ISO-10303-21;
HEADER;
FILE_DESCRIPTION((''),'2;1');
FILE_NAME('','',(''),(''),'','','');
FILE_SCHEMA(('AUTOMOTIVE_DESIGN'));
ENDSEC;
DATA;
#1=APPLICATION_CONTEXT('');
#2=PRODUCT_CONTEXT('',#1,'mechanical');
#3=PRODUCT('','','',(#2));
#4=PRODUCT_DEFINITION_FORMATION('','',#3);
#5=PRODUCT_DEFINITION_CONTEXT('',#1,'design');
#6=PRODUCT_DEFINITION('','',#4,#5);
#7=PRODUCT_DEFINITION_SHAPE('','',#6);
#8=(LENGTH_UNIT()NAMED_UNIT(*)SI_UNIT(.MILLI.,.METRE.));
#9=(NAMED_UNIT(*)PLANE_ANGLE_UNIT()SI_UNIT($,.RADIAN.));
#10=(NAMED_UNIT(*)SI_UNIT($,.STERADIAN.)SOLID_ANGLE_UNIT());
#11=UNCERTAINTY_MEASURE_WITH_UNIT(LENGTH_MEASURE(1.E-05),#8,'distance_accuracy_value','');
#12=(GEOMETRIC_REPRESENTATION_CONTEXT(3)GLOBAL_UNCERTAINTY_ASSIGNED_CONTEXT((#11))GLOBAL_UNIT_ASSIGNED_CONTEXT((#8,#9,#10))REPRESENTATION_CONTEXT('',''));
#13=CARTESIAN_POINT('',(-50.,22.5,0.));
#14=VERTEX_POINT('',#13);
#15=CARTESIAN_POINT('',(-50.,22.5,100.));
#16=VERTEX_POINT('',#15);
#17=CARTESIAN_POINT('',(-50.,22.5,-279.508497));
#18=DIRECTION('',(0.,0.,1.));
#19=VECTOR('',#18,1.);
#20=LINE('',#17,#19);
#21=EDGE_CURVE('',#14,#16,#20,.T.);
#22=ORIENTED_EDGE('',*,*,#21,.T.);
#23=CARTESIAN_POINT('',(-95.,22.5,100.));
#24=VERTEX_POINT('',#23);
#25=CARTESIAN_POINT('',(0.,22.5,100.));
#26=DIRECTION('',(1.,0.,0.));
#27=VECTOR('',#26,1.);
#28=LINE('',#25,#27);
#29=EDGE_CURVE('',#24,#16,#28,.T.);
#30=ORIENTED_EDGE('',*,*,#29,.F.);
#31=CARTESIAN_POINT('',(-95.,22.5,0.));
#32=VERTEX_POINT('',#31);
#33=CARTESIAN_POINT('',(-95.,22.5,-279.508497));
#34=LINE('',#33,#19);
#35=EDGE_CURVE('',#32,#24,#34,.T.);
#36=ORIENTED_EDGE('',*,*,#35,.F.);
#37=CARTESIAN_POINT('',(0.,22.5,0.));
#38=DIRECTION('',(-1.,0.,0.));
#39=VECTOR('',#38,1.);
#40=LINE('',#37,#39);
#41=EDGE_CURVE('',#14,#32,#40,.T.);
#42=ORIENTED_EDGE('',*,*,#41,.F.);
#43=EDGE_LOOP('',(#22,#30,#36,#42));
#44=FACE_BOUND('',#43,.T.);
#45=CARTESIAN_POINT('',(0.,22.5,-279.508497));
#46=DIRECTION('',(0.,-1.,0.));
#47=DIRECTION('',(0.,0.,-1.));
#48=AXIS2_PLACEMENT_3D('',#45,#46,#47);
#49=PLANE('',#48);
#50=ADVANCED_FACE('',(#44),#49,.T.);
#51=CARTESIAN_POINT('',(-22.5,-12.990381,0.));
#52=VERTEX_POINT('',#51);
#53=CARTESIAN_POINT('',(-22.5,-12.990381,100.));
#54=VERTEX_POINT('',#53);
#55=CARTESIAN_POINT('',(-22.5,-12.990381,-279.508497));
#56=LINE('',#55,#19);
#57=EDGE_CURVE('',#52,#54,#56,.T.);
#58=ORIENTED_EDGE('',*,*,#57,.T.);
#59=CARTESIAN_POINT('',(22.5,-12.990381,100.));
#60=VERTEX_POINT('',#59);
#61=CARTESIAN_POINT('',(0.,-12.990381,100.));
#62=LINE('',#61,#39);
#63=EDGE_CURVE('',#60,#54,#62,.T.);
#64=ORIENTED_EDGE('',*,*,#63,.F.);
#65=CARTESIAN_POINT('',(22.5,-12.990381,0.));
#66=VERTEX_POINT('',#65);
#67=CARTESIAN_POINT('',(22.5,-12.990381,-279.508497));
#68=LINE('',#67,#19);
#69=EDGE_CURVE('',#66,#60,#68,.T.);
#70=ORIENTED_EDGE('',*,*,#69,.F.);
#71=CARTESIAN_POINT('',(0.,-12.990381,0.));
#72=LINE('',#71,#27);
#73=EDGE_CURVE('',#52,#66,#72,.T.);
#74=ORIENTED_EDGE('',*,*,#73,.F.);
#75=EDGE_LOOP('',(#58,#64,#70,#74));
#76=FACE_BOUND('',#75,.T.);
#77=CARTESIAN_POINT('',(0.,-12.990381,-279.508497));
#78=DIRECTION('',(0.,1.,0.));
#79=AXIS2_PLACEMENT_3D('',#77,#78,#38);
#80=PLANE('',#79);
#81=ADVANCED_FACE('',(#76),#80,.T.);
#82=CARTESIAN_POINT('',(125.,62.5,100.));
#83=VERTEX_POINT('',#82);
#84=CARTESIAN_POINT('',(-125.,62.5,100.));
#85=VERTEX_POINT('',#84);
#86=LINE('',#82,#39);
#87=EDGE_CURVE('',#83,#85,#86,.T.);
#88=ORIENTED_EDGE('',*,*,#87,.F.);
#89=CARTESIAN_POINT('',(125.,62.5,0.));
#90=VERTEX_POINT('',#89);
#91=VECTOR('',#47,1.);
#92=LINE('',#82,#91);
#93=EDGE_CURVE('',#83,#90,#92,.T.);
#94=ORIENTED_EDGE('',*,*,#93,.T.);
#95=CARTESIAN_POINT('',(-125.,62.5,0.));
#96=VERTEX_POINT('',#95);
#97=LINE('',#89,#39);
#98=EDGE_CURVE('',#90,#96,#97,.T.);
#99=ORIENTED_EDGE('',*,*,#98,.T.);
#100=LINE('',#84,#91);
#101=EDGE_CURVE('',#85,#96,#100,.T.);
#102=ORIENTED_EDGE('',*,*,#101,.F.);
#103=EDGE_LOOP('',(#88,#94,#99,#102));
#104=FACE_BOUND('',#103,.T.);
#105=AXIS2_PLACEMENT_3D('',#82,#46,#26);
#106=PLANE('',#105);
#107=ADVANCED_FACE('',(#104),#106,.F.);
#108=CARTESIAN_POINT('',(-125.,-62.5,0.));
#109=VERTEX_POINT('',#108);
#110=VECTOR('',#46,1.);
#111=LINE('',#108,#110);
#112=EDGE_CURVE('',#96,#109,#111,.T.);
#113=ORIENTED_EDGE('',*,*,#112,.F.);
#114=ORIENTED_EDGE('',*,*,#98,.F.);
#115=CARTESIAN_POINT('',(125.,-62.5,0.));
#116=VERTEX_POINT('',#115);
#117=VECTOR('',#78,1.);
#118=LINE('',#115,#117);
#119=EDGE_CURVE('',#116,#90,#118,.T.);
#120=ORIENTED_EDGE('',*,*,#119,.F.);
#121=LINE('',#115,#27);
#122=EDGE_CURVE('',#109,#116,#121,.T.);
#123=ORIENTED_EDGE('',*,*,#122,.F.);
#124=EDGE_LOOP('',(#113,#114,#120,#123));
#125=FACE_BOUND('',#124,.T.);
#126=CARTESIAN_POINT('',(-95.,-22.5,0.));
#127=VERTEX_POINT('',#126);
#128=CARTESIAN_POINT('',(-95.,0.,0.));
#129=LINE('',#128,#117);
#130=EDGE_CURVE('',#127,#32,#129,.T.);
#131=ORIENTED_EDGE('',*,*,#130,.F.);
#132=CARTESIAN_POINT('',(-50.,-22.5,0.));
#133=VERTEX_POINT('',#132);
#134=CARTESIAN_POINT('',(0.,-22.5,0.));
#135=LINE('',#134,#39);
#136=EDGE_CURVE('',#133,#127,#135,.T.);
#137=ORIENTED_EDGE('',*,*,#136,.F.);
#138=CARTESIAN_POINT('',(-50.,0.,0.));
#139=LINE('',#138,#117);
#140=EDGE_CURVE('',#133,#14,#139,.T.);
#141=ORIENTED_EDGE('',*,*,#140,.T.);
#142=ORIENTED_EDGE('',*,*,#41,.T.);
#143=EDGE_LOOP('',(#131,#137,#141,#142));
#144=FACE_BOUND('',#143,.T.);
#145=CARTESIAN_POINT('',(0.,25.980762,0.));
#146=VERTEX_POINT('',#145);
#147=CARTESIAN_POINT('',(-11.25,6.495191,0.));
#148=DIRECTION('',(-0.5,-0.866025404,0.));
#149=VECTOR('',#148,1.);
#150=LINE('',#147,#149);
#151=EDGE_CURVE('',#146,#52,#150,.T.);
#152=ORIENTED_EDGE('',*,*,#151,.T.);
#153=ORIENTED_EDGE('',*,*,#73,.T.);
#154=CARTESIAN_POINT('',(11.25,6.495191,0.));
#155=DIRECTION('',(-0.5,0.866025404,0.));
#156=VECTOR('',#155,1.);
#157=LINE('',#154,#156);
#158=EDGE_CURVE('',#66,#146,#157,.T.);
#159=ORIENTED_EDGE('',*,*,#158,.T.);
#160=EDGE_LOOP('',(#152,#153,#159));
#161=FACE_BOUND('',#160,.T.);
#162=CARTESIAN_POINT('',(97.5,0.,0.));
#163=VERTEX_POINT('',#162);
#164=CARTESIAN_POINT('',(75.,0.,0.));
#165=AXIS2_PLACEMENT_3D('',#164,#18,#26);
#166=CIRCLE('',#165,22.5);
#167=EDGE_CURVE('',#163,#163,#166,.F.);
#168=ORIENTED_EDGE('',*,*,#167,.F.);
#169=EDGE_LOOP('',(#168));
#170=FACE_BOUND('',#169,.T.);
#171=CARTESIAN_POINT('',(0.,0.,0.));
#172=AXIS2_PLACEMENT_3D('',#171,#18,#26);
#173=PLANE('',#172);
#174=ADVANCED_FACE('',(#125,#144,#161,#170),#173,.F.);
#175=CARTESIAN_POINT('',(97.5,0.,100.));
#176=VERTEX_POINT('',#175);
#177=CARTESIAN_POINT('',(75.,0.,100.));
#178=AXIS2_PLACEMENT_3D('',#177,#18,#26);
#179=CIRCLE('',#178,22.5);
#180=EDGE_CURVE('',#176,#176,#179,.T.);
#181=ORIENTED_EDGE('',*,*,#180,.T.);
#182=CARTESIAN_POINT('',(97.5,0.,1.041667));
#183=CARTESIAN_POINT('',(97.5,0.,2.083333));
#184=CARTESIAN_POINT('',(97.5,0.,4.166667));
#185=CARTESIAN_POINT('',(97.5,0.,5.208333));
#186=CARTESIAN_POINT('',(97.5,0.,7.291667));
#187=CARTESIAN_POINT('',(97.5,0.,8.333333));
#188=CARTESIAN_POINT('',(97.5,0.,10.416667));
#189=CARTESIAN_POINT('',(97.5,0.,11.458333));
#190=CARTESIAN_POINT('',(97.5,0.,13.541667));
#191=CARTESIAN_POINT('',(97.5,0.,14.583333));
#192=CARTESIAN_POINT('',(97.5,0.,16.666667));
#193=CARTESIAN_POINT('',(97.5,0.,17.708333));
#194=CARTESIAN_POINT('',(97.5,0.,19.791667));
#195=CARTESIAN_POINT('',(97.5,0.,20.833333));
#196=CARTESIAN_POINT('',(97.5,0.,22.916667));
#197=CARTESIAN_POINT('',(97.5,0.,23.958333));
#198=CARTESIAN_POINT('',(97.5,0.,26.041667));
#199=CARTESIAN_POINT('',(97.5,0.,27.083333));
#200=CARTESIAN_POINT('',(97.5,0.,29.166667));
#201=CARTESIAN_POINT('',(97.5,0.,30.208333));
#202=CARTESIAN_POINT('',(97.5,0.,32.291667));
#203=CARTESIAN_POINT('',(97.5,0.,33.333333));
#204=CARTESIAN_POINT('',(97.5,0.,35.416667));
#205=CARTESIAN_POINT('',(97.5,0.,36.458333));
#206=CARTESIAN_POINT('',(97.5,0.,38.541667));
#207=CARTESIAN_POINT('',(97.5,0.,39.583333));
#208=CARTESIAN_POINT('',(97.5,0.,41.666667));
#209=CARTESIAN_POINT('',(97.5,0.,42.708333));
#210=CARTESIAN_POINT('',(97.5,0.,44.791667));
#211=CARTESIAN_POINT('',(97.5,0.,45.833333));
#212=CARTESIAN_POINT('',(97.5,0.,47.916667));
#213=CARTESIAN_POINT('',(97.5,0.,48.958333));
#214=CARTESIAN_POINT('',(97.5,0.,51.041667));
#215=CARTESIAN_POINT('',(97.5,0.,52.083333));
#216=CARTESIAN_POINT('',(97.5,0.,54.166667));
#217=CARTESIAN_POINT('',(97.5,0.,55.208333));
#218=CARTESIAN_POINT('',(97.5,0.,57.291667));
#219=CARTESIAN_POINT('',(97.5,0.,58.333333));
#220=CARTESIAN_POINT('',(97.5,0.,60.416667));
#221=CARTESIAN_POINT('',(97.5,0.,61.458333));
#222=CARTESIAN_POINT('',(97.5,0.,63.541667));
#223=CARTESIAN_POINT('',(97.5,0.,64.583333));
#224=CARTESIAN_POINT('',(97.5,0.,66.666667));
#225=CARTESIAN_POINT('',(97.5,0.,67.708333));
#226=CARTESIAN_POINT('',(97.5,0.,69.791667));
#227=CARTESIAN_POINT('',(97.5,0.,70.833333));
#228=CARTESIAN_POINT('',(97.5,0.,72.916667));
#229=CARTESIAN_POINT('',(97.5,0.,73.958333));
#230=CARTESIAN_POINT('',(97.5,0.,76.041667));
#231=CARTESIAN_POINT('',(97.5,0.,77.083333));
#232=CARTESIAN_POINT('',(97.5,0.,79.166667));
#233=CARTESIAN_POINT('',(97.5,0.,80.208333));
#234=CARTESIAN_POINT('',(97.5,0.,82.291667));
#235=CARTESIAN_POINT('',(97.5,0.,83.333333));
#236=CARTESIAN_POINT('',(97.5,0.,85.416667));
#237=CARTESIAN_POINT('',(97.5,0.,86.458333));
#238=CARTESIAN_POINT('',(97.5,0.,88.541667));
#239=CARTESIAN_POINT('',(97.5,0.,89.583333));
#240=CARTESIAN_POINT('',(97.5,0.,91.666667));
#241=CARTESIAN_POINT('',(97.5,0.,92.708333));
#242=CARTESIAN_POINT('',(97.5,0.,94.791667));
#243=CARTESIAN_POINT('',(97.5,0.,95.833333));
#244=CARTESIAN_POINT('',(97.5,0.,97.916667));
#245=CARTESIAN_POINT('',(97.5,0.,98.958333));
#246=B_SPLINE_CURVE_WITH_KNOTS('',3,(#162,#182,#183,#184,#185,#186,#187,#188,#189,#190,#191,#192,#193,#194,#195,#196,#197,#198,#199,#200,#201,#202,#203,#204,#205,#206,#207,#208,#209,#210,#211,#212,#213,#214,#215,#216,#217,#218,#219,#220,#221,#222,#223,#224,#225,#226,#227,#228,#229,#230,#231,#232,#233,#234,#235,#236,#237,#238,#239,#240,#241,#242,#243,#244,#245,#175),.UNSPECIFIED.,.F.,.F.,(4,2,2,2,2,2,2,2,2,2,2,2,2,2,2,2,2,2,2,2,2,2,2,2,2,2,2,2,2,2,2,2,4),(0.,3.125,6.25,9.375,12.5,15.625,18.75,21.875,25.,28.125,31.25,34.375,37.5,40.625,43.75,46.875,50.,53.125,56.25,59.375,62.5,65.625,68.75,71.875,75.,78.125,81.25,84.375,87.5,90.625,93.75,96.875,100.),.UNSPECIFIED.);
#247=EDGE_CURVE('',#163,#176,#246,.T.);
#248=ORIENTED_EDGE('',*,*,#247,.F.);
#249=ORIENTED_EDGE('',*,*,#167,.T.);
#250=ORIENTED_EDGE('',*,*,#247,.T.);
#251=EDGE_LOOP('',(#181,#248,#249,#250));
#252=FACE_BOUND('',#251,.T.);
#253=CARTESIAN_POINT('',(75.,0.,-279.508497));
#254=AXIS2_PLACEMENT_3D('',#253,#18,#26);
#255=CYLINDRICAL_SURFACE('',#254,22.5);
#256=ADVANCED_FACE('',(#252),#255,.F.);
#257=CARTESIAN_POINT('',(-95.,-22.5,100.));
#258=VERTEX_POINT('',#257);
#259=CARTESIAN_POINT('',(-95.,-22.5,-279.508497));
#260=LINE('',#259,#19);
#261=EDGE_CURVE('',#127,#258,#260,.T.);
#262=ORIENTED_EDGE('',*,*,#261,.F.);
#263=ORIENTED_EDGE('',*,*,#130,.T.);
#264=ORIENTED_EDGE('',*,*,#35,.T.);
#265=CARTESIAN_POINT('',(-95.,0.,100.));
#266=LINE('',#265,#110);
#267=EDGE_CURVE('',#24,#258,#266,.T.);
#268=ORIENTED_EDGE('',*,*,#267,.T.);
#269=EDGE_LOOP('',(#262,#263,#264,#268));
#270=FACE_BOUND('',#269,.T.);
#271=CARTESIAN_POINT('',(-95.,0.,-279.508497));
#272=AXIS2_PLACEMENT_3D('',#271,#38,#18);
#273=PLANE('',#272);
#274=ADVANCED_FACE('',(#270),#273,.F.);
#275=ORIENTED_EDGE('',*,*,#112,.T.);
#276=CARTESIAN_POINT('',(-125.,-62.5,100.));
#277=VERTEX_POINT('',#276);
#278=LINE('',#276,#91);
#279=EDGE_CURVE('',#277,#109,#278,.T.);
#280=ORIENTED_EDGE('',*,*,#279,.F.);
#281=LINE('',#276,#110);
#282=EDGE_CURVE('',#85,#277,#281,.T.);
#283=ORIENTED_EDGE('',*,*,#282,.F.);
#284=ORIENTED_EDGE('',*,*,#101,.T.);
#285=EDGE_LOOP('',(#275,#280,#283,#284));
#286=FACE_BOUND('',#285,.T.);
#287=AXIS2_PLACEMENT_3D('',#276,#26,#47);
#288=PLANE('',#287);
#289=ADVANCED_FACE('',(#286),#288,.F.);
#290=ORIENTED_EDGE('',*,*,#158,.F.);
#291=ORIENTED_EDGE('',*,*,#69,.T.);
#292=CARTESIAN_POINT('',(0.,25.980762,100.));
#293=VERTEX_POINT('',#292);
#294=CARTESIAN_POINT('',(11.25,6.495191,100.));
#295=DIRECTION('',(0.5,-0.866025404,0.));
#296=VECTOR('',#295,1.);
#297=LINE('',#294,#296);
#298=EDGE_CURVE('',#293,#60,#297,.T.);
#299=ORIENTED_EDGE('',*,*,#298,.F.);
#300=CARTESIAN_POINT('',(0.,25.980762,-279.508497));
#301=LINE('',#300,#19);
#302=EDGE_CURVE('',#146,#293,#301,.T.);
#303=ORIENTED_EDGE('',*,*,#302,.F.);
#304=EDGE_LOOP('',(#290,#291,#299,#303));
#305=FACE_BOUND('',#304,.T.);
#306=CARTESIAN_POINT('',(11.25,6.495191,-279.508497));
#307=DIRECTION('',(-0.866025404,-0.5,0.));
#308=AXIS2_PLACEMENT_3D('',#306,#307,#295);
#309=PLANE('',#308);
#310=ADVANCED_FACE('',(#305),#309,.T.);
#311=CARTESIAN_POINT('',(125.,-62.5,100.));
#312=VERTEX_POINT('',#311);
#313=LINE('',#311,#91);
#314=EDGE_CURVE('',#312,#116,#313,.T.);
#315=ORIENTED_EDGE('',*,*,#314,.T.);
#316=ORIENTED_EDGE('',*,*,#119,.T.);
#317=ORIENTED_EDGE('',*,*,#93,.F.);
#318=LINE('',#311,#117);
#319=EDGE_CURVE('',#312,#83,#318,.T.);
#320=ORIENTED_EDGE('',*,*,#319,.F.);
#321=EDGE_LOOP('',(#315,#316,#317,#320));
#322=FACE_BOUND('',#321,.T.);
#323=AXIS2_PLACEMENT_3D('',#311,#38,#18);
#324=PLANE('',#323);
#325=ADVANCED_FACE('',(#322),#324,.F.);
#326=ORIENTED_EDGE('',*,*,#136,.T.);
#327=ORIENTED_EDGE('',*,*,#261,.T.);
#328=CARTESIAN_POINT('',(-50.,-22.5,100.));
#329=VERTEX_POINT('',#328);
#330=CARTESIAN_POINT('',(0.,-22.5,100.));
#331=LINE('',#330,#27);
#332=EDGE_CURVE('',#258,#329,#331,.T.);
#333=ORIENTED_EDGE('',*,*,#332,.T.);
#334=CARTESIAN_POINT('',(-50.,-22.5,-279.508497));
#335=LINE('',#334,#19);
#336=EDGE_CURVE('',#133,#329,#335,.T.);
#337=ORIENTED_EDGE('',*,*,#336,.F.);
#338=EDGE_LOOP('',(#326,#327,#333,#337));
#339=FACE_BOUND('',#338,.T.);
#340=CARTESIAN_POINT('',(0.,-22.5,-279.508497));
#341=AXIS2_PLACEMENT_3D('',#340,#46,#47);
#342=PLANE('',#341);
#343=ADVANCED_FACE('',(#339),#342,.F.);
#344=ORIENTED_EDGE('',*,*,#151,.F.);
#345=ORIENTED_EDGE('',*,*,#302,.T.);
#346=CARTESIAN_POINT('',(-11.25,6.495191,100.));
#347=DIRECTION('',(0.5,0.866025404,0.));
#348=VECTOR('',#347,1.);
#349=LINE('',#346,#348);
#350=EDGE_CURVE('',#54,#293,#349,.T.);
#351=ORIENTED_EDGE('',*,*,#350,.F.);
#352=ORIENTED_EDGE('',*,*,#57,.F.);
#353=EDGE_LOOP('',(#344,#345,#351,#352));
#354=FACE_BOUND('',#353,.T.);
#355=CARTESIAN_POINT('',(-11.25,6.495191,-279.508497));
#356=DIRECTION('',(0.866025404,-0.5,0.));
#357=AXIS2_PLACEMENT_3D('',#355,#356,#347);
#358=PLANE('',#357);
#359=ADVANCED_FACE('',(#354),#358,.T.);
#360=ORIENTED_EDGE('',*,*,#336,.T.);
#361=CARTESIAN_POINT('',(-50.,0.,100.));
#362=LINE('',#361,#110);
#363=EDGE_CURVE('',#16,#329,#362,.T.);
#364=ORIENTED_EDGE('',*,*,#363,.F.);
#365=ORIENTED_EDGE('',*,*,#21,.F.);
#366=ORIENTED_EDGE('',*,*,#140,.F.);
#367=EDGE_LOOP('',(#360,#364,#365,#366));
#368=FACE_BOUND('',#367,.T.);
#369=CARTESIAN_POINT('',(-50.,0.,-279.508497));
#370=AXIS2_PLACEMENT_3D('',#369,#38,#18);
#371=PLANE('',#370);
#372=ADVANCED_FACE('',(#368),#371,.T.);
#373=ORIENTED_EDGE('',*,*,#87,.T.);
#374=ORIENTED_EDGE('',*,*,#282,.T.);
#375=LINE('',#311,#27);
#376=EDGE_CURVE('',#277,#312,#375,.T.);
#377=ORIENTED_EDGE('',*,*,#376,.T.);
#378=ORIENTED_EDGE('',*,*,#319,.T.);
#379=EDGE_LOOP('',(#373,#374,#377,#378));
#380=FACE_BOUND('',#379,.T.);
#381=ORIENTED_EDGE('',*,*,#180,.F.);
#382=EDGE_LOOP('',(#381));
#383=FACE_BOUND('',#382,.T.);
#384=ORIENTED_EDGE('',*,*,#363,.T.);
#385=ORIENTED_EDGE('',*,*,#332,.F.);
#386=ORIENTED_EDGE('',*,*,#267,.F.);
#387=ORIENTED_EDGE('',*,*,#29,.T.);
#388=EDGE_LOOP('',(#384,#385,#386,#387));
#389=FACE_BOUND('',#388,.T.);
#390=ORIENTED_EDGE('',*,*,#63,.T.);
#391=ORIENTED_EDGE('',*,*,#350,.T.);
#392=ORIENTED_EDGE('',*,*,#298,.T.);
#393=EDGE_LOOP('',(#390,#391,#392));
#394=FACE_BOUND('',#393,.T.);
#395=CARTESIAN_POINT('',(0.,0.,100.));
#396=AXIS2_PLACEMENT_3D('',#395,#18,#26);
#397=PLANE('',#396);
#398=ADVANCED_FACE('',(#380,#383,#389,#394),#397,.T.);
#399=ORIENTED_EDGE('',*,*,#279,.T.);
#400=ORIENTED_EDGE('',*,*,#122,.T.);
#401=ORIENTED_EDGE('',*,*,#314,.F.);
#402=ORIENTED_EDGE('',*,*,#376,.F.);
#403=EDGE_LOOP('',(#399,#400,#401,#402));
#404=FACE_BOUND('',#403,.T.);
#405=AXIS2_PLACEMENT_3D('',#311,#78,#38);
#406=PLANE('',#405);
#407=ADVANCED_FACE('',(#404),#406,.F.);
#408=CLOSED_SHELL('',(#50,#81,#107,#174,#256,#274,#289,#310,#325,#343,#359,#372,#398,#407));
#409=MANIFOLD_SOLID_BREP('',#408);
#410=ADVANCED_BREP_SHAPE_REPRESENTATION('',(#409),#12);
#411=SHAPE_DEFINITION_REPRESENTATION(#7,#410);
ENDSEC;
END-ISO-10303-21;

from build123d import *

# Parameters (mm, degrees)
SKETCH1_W           = 250
SKETCH1_H           = 125
SKETCH1_W_2         = 230
SKETCH1_H_2         = 115
BOSS_EXTRUDE1_DEPTH = 100
SKETCH3_W           = 250
SKETCH3_H           = 125
SKETCH3_W_2         = 230
SKETCH3_H_2         = 115
SKETCH3_R           = 22.5
SKETCH3_W_3         = 45
SKETCH3_H_3         = 45
BOSS_EXTRUDE4_DEPTH = 100


with BuildPart() as part:
    # Sketch1 → Boss-Extrude1 (new body)
    with BuildSketch(Plane.XY):
        Rectangle(SKETCH1_W, SKETCH1_H)
        Rectangle(SKETCH1_W_2, SKETCH1_H_2, mode=Mode.SUBTRACT)
    extrude(amount=BOSS_EXTRUDE1_DEPTH)

    # Sketch3 → Boss-Extrude4 (add)
    # profile 1 of 2: a face of its own
    with BuildSketch(Plane.XY.offset(100)):
        Rectangle(SKETCH3_W, SKETCH3_H)
        Rectangle(SKETCH3_W_2, SKETCH3_H_2, mode=Mode.SUBTRACT)
    # profile 2 of 2: a face of its own
    with BuildSketch(Plane.XY.offset(100)):
        Rectangle(SKETCH3_W_2, SKETCH3_H_2)
        with Locations((75, 0)):
            Circle(SKETCH3_R, mode=Mode.SUBTRACT)
        with Locations((-72.5, 0)):
            Rectangle(SKETCH3_W_3, SKETCH3_H_3, mode=Mode.SUBTRACT)
        Polygon((0, 25.980762114), (22.5, -12.990381057), (-22.5, -12.990381057), align=None, mode=Mode.SUBTRACT)
    extrude(amount=-BOSS_EXTRUDE4_DEPTH)


solid = part.part
